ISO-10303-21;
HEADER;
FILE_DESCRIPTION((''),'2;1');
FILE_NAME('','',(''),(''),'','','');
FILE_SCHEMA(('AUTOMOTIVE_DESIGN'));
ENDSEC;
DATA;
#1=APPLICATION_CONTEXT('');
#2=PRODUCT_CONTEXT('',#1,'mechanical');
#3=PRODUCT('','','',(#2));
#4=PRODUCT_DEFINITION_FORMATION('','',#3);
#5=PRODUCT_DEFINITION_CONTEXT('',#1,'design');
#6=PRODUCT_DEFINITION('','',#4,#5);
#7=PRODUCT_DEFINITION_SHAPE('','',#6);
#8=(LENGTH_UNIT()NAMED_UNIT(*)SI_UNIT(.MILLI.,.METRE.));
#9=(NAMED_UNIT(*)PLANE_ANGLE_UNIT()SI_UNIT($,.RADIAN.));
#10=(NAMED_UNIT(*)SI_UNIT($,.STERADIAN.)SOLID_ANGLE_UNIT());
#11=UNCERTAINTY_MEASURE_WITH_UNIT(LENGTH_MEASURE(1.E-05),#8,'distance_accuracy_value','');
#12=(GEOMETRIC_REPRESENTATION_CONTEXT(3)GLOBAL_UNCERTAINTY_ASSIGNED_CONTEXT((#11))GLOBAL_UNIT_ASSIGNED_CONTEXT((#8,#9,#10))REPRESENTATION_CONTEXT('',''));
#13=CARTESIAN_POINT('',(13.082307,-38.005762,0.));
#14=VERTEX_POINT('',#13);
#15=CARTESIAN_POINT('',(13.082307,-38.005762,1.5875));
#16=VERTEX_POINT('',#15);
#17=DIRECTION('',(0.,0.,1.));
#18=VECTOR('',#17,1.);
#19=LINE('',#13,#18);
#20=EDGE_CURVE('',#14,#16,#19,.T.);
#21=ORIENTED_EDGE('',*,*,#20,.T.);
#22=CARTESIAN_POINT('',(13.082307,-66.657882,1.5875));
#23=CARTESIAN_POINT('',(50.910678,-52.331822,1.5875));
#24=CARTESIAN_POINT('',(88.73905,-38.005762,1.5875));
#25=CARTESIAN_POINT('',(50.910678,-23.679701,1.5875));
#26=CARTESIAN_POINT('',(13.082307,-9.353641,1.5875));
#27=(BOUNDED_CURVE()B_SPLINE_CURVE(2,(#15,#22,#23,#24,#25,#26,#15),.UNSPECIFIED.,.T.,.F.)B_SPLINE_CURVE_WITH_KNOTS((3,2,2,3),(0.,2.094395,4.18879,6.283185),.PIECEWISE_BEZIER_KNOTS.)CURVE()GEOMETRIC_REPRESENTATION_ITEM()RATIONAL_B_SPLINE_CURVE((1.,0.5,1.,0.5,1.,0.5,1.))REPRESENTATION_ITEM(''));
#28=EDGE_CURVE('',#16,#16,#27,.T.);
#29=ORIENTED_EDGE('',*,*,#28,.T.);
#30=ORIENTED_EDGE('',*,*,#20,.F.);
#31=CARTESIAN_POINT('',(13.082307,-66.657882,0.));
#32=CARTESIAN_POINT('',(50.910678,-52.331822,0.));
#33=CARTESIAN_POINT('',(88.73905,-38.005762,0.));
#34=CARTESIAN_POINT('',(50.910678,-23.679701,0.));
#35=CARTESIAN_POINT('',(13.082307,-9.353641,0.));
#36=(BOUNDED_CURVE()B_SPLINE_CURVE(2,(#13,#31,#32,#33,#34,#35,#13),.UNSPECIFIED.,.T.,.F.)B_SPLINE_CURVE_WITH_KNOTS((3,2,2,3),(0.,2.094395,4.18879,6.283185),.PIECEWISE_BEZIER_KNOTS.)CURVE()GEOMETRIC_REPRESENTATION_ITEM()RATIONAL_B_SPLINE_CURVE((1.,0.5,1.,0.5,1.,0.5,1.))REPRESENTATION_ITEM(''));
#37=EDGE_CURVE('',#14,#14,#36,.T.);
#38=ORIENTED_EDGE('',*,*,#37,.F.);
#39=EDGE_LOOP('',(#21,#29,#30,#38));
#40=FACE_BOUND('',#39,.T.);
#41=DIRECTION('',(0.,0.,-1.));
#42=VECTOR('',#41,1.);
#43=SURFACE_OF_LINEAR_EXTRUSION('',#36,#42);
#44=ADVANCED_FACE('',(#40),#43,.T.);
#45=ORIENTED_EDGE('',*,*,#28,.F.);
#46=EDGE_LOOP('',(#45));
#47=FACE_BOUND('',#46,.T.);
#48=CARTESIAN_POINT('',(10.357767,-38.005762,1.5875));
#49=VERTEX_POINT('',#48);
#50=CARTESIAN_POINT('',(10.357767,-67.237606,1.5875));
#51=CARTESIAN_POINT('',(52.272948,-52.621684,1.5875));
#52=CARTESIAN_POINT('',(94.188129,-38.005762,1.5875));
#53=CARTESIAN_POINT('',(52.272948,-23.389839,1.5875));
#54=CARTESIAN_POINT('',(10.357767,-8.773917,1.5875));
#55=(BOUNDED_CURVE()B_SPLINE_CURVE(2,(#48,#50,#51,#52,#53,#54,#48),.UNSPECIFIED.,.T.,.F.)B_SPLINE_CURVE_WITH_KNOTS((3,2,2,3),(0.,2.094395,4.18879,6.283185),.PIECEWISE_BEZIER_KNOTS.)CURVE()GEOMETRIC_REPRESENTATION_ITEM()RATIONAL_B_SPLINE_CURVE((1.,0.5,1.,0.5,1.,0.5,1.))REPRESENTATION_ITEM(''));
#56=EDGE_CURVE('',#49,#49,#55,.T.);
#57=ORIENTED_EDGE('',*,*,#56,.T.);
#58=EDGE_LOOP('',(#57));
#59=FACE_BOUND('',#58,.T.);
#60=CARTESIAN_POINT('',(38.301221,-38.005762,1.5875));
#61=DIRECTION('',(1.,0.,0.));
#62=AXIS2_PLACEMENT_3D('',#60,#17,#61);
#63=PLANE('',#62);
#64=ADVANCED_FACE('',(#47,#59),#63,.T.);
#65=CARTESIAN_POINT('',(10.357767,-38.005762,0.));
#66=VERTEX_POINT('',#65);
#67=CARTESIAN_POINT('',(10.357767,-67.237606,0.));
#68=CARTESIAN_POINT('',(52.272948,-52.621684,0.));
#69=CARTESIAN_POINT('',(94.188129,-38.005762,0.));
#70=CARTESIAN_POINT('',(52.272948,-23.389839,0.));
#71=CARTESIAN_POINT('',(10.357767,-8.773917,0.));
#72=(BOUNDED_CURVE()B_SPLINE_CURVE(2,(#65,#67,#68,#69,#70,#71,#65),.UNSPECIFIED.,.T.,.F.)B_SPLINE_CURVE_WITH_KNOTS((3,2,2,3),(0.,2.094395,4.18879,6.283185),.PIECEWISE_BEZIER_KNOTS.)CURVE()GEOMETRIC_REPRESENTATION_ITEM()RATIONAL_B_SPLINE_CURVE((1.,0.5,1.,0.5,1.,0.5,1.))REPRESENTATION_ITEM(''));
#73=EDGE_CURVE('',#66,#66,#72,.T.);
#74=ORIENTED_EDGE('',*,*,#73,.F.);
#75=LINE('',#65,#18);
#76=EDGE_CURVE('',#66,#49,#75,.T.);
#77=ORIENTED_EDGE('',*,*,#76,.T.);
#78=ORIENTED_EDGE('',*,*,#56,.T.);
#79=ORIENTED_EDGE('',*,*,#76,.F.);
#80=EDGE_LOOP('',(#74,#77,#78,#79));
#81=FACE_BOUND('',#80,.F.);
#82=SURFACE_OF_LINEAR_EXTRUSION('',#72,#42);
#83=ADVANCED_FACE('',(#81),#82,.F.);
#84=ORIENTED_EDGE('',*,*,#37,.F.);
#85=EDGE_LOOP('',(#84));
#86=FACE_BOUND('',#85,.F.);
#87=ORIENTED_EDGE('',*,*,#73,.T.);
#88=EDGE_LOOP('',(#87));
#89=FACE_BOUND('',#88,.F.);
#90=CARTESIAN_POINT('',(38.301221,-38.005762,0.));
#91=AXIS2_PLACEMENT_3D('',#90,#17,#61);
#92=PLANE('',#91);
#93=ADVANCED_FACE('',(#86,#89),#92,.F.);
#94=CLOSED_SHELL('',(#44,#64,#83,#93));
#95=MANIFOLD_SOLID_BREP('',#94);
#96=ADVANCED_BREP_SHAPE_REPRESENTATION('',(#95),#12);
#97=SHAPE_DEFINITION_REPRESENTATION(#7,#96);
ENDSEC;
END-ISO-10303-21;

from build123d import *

# Parameters (mm, degrees)
F1_DEPTH = 1.5875


with BuildPart() as f1:
    # F0 (on Top) → F1 (new body)
    with BuildSketch(Plane.XY):
        with BuildLine():
            add(Edge.make_bspline(
                [(10.357767, -38.005762), (10.357767, -67.237606), (52.272948, -52.621684), (94.188129, -38.005762), (52.272948, -23.389839), (10.357767, -8.773917), (10.357767, -38.005762)],
                knots=[0, 0, 0, 2.094395, 2.094395, 4.18879, 4.18879, 6.283185, 6.283185, 6.283185], degree=2, weights=[1, 0.5, 1, 0.5, 1, 0.5, 1]))
        make_face()
        with BuildLine():
            add(Edge.make_bspline(
                [(13.082307, -38.005762), (13.082307, -66.657882), (50.910678, -52.331822), (88.73905, -38.005762), (50.910678, -23.679701), (13.082307, -9.353641), (13.082307, -38.005762)],
                knots=[0, 0, 0, 2.094395, 2.094395, 4.18879, 4.18879, 6.283185, 6.283185, 6.283185], degree=2, weights=[1, 0.5, 1, 0.5, 1, 0.5, 1]))
        make_face(mode=Mode.SUBTRACT)
    extrude(amount=F1_DEPTH)


solid = f1.part
